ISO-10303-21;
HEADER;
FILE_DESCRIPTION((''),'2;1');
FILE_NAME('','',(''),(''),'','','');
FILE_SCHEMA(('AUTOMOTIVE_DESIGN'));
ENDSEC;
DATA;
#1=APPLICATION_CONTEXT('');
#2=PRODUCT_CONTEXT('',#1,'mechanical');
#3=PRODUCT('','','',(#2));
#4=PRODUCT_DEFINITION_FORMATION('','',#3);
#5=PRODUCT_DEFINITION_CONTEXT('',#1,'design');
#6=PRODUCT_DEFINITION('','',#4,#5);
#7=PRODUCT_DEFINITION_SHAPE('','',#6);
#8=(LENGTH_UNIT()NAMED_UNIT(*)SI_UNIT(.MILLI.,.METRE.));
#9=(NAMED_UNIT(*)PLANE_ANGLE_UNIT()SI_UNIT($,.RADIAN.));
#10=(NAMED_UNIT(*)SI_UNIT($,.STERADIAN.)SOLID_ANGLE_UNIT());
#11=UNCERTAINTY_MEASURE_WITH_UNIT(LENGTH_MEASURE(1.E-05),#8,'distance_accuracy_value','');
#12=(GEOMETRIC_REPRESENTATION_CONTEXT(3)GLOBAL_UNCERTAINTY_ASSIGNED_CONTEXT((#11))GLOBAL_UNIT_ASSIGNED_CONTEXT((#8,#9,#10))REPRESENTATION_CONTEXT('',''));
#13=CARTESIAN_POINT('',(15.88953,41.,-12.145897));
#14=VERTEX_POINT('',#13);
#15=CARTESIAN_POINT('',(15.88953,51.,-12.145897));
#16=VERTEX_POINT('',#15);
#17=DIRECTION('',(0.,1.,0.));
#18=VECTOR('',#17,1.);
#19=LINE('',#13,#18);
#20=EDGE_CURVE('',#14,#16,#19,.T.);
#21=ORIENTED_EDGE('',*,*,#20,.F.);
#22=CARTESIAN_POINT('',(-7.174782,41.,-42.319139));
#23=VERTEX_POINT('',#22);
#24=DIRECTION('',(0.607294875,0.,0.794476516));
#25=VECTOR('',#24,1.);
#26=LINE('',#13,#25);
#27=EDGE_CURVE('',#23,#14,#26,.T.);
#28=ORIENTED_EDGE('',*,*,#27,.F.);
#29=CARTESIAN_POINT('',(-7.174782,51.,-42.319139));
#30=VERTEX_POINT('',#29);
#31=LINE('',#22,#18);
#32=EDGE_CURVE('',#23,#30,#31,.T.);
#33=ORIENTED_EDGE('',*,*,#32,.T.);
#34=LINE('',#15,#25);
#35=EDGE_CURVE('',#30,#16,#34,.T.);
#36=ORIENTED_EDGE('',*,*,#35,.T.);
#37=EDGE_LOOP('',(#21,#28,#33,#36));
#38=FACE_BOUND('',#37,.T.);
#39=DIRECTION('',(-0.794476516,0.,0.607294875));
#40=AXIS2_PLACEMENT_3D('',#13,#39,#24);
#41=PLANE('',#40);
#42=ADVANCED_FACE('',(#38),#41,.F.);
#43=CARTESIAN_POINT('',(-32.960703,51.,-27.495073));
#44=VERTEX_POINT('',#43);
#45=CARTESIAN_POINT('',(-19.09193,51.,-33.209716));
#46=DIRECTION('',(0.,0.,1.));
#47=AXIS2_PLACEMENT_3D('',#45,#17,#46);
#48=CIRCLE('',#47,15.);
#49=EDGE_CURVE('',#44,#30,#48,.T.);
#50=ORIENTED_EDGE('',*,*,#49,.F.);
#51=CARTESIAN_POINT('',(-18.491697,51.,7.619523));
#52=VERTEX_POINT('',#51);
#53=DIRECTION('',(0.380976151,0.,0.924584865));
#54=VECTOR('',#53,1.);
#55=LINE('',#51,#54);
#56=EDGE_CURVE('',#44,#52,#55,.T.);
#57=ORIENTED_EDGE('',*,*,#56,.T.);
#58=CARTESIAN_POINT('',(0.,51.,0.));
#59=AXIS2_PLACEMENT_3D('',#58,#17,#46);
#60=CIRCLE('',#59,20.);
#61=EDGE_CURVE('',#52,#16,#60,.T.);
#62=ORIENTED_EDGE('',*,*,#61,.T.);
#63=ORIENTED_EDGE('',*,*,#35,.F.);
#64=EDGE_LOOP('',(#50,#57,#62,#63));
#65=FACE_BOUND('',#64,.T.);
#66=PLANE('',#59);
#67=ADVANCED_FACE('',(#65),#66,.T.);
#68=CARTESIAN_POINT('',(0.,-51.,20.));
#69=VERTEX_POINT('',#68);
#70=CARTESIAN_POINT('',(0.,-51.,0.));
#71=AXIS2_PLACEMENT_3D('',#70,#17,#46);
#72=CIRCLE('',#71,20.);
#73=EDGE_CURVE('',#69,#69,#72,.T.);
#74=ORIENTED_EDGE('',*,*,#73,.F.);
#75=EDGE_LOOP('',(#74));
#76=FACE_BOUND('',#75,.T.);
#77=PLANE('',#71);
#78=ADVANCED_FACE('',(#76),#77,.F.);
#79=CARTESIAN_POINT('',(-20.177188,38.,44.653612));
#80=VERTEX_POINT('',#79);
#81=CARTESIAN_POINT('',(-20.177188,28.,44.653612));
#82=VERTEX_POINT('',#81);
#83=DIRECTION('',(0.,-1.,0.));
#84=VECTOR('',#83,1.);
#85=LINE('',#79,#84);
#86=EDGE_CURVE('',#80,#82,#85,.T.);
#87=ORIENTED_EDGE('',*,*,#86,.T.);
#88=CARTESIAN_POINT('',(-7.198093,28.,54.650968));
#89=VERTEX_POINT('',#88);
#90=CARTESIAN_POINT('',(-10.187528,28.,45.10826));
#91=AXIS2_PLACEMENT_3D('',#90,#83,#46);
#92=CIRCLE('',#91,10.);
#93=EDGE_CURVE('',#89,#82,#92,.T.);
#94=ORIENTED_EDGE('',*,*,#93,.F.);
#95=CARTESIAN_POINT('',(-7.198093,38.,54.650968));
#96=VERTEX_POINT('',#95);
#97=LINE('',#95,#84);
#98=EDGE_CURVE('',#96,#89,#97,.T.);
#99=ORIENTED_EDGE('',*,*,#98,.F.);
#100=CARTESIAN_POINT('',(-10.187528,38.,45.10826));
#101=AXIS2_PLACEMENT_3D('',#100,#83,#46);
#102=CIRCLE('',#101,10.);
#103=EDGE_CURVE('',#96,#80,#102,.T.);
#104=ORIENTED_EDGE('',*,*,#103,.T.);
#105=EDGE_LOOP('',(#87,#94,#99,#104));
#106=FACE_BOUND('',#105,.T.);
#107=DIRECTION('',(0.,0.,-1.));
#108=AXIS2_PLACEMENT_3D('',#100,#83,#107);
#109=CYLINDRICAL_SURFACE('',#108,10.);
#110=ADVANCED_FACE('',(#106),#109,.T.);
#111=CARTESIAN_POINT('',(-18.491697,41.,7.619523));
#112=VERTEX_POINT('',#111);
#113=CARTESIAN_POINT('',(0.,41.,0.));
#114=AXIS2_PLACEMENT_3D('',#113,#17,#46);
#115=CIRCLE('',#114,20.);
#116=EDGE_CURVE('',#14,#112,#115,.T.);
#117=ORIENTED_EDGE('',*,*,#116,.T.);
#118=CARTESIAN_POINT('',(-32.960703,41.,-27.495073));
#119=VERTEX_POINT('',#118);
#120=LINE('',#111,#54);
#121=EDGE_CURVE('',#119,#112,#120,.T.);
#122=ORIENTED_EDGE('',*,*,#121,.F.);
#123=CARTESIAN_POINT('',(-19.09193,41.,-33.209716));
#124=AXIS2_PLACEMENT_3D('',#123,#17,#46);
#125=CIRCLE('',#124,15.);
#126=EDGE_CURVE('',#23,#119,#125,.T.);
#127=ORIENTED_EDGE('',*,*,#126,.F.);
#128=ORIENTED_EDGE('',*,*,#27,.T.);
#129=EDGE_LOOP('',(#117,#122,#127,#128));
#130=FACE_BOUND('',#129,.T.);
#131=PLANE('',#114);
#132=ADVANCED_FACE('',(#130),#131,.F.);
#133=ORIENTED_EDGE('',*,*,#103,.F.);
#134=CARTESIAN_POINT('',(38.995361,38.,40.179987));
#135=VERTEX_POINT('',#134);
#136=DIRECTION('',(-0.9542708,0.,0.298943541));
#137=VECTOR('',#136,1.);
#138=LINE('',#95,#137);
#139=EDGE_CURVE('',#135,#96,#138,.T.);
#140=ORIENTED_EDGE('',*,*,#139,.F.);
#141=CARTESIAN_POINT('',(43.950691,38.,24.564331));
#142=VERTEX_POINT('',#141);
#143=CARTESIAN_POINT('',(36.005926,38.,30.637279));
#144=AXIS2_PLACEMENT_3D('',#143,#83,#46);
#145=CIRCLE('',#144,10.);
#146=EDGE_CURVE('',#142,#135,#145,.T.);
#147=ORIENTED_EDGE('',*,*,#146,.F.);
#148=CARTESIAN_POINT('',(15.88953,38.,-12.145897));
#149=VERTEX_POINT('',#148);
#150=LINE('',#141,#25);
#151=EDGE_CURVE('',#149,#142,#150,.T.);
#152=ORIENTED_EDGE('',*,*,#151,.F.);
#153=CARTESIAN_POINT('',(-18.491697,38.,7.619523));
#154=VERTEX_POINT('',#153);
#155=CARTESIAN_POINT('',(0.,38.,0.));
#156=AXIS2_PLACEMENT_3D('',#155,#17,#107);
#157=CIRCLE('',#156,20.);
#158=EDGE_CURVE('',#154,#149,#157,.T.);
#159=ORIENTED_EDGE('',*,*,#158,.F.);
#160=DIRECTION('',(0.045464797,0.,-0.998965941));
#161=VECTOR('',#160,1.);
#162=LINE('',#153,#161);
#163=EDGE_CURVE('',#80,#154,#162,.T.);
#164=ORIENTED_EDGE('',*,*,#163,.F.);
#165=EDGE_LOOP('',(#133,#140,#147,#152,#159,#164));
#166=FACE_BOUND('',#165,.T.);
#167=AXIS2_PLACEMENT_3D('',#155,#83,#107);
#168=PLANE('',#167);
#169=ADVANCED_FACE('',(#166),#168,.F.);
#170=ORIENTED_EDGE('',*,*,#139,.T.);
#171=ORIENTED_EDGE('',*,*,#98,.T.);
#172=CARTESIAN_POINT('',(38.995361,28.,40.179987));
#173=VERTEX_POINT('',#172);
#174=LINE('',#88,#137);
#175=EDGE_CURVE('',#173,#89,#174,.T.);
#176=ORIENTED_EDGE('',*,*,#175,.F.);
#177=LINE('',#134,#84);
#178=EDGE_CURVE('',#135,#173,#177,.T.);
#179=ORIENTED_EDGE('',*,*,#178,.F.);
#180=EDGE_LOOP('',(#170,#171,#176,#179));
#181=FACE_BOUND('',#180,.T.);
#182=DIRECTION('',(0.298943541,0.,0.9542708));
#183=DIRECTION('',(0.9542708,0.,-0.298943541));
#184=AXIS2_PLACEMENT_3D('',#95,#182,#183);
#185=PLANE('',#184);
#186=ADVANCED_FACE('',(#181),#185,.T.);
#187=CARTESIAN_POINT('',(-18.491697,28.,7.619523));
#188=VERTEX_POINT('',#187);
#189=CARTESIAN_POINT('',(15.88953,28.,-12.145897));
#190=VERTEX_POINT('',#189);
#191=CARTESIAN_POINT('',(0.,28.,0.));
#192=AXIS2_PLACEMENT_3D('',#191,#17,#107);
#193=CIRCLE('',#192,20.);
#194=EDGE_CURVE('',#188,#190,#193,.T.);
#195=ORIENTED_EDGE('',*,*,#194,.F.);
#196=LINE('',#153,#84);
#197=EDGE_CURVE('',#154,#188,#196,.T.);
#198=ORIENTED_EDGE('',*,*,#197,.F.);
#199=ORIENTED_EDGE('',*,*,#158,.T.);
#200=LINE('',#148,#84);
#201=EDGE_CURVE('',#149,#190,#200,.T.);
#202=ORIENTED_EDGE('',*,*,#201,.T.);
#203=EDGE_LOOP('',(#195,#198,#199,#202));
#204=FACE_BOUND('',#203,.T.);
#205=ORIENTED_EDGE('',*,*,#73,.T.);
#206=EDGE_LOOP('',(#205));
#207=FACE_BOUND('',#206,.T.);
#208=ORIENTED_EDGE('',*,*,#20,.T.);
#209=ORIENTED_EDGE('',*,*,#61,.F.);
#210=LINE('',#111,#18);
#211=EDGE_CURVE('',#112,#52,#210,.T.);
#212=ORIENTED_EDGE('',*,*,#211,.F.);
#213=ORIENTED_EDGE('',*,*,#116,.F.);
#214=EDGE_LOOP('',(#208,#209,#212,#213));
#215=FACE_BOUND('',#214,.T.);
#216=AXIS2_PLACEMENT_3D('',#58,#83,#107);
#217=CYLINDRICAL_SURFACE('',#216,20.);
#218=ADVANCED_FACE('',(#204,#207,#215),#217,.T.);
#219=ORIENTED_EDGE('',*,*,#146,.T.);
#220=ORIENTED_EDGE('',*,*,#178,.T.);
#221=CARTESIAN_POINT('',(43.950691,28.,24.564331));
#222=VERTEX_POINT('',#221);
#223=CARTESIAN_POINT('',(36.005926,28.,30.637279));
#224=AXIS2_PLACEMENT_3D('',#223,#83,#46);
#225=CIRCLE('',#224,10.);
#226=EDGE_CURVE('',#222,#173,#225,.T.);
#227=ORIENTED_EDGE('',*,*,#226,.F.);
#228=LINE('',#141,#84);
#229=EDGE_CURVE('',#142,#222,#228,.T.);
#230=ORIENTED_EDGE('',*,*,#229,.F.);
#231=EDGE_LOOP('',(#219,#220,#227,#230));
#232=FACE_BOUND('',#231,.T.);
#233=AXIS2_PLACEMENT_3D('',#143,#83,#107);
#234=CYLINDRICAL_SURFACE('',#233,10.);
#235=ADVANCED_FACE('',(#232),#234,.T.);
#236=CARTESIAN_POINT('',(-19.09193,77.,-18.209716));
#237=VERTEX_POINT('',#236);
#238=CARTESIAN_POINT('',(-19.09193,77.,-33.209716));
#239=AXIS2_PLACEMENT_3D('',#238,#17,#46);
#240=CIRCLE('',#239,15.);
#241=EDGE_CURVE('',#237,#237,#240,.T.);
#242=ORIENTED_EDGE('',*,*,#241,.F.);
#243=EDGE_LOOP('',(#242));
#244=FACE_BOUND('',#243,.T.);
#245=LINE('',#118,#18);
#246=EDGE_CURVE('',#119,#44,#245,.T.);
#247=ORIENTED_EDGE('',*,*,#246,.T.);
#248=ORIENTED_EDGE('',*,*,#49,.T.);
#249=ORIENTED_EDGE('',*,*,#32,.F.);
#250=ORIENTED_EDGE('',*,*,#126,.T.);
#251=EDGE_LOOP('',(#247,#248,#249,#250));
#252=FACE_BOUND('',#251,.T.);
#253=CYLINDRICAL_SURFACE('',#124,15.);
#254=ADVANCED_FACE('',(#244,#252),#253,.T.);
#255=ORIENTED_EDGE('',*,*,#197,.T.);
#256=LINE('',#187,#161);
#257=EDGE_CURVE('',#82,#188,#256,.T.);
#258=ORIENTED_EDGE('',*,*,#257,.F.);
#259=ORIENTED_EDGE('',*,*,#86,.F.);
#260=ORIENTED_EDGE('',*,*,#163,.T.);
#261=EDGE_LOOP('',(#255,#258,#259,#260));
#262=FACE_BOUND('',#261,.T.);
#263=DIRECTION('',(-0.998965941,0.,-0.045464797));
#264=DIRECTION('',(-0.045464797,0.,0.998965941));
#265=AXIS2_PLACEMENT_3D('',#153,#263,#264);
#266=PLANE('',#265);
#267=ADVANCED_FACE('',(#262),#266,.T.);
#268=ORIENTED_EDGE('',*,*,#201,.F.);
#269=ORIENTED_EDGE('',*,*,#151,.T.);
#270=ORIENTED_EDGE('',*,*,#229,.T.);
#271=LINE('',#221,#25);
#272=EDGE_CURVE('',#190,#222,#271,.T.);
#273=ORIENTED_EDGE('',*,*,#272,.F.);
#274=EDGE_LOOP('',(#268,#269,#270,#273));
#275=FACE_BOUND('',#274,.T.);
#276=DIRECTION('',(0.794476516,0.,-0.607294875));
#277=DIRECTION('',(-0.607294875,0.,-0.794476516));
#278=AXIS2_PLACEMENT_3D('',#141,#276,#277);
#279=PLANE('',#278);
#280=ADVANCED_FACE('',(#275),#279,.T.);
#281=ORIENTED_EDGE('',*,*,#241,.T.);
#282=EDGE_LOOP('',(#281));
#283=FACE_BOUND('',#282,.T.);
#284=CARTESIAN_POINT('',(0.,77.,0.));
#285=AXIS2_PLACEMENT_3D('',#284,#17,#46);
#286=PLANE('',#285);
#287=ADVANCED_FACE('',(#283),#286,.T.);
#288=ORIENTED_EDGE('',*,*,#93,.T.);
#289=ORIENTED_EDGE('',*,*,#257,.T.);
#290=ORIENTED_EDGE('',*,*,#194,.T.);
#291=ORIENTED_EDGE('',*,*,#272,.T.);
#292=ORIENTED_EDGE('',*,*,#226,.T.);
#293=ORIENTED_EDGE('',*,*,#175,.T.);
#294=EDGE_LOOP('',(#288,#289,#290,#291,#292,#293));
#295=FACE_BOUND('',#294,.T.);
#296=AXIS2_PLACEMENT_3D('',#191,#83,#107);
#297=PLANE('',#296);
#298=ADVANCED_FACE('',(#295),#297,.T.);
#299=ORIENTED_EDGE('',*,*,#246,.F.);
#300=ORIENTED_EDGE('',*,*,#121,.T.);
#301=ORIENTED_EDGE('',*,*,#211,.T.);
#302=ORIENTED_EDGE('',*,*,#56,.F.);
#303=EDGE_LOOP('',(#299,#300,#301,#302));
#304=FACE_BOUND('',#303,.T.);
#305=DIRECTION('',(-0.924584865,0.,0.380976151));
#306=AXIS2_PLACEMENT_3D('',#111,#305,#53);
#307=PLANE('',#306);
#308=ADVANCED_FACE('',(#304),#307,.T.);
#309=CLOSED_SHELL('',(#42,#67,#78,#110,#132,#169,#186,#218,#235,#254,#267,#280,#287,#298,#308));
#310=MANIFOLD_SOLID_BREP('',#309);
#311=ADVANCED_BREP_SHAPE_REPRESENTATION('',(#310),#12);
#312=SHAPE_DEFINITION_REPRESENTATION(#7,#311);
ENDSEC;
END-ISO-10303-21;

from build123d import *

# Parameters (mm, degrees)
SKETCH1_R           = 20
BOSS_EXTRUDE1_DEPTH = 51
BOSS_EXTRUDE2_DEPTH = 10
BOSS_EXTRUDE3_START = 26
BOSS_EXTRUDE3_DEPTH = 26
BOSS_EXTRUDE4_START = -10
BOSS_EXTRUDE4_DEPTH = 10


with BuildPart() as part:
    # Sketch1 → Boss-Extrude1 (new, symmetric)
    with BuildSketch(Plane(origin=(0, 0, 0), x_dir=(1, 0, 0), z_dir=(0, 1, 0))):
        Circle(SKETCH1_R)
    extrude(amount=BOSS_EXTRUDE1_DEPTH, both=True)

    # Sketch2 → Boss-Extrude2 (add)
    with BuildSketch(Plane(origin=(0, 51, 0), x_dir=(1, 0, 0), z_dir=(0, 1, 0))):
        with BuildLine():
            Line((15.889530325, 12.145897498), (-7.174782394, 42.319138828))
            ThreePointArc((-7.174782394, 42.319138828), (-26.567920967, 46.213928911), (-32.960703114, 27.495073445))
            Line((-32.960703114, 27.495073445), (-18.491697301, -7.619523011))
            ThreePointArc((-18.491697301, -7.619523011), (9.967987772, -17.338950942), (15.889530325, 12.145897498))
        make_face()
    extrude(amount=-BOSS_EXTRUDE2_DEPTH)

    # Sketch2<3> → Boss-Extrude3 (add)
    with BuildSketch(Plane(origin=(0, 51, 0), x_dir=(1, 0, 0), z_dir=(0, 1, 0)).offset(BOSS_EXTRUDE3_START)):
        with BuildLine():
            ThreePointArc((-4.091930138, 33.209715704), (-4.883530929, 38.018186554), (-7.174782394, 42.319138828))
            ThreePointArc((-7.174782394, 42.319138828), (-26.567920967, 46.213928911), (-32.960703114, 27.495073445))
            ThreePointArc((-32.960703114, 27.495073445), (-16.179164668, 18.495239929), (-4.091930138, 33.209715704))
        make_face()
    extrude(amount=-BOSS_EXTRUDE3_DEPTH)

    # Sketch3 → Boss-Extrude4 (add)
    with BuildSketch(Plane(origin=(0, 28, 0), x_dir=(-1, 0, 0), z_dir=(0, -1, 0)).offset(BOSS_EXTRUDE4_START)):
        with BuildLine():
            Line((18.491697301, -7.619523011), (20.177187538, -44.653612428))
            ThreePointArc((20.177187538, -44.653612428), (16.289787181, -53.030534966), (7.198092717, -54.650968393))
            Line((7.198092717, -54.650968393), (-38.995361437, -40.179987261))
            ThreePointArc((-38.995361437, -40.179987261), (-45.537524503, -33.661949585), (-43.950691193, -24.564330513))
            Line((-43.950691193, -24.564330513), (-15.889530325, 12.145897498))
            ThreePointArc((-15.889530325, 12.145897498), (-9.967987772, -17.338950942), (18.491697301, -7.619523011))
        make_face()
    extrude(amount=BOSS_EXTRUDE4_DEPTH)


solid = part.part
